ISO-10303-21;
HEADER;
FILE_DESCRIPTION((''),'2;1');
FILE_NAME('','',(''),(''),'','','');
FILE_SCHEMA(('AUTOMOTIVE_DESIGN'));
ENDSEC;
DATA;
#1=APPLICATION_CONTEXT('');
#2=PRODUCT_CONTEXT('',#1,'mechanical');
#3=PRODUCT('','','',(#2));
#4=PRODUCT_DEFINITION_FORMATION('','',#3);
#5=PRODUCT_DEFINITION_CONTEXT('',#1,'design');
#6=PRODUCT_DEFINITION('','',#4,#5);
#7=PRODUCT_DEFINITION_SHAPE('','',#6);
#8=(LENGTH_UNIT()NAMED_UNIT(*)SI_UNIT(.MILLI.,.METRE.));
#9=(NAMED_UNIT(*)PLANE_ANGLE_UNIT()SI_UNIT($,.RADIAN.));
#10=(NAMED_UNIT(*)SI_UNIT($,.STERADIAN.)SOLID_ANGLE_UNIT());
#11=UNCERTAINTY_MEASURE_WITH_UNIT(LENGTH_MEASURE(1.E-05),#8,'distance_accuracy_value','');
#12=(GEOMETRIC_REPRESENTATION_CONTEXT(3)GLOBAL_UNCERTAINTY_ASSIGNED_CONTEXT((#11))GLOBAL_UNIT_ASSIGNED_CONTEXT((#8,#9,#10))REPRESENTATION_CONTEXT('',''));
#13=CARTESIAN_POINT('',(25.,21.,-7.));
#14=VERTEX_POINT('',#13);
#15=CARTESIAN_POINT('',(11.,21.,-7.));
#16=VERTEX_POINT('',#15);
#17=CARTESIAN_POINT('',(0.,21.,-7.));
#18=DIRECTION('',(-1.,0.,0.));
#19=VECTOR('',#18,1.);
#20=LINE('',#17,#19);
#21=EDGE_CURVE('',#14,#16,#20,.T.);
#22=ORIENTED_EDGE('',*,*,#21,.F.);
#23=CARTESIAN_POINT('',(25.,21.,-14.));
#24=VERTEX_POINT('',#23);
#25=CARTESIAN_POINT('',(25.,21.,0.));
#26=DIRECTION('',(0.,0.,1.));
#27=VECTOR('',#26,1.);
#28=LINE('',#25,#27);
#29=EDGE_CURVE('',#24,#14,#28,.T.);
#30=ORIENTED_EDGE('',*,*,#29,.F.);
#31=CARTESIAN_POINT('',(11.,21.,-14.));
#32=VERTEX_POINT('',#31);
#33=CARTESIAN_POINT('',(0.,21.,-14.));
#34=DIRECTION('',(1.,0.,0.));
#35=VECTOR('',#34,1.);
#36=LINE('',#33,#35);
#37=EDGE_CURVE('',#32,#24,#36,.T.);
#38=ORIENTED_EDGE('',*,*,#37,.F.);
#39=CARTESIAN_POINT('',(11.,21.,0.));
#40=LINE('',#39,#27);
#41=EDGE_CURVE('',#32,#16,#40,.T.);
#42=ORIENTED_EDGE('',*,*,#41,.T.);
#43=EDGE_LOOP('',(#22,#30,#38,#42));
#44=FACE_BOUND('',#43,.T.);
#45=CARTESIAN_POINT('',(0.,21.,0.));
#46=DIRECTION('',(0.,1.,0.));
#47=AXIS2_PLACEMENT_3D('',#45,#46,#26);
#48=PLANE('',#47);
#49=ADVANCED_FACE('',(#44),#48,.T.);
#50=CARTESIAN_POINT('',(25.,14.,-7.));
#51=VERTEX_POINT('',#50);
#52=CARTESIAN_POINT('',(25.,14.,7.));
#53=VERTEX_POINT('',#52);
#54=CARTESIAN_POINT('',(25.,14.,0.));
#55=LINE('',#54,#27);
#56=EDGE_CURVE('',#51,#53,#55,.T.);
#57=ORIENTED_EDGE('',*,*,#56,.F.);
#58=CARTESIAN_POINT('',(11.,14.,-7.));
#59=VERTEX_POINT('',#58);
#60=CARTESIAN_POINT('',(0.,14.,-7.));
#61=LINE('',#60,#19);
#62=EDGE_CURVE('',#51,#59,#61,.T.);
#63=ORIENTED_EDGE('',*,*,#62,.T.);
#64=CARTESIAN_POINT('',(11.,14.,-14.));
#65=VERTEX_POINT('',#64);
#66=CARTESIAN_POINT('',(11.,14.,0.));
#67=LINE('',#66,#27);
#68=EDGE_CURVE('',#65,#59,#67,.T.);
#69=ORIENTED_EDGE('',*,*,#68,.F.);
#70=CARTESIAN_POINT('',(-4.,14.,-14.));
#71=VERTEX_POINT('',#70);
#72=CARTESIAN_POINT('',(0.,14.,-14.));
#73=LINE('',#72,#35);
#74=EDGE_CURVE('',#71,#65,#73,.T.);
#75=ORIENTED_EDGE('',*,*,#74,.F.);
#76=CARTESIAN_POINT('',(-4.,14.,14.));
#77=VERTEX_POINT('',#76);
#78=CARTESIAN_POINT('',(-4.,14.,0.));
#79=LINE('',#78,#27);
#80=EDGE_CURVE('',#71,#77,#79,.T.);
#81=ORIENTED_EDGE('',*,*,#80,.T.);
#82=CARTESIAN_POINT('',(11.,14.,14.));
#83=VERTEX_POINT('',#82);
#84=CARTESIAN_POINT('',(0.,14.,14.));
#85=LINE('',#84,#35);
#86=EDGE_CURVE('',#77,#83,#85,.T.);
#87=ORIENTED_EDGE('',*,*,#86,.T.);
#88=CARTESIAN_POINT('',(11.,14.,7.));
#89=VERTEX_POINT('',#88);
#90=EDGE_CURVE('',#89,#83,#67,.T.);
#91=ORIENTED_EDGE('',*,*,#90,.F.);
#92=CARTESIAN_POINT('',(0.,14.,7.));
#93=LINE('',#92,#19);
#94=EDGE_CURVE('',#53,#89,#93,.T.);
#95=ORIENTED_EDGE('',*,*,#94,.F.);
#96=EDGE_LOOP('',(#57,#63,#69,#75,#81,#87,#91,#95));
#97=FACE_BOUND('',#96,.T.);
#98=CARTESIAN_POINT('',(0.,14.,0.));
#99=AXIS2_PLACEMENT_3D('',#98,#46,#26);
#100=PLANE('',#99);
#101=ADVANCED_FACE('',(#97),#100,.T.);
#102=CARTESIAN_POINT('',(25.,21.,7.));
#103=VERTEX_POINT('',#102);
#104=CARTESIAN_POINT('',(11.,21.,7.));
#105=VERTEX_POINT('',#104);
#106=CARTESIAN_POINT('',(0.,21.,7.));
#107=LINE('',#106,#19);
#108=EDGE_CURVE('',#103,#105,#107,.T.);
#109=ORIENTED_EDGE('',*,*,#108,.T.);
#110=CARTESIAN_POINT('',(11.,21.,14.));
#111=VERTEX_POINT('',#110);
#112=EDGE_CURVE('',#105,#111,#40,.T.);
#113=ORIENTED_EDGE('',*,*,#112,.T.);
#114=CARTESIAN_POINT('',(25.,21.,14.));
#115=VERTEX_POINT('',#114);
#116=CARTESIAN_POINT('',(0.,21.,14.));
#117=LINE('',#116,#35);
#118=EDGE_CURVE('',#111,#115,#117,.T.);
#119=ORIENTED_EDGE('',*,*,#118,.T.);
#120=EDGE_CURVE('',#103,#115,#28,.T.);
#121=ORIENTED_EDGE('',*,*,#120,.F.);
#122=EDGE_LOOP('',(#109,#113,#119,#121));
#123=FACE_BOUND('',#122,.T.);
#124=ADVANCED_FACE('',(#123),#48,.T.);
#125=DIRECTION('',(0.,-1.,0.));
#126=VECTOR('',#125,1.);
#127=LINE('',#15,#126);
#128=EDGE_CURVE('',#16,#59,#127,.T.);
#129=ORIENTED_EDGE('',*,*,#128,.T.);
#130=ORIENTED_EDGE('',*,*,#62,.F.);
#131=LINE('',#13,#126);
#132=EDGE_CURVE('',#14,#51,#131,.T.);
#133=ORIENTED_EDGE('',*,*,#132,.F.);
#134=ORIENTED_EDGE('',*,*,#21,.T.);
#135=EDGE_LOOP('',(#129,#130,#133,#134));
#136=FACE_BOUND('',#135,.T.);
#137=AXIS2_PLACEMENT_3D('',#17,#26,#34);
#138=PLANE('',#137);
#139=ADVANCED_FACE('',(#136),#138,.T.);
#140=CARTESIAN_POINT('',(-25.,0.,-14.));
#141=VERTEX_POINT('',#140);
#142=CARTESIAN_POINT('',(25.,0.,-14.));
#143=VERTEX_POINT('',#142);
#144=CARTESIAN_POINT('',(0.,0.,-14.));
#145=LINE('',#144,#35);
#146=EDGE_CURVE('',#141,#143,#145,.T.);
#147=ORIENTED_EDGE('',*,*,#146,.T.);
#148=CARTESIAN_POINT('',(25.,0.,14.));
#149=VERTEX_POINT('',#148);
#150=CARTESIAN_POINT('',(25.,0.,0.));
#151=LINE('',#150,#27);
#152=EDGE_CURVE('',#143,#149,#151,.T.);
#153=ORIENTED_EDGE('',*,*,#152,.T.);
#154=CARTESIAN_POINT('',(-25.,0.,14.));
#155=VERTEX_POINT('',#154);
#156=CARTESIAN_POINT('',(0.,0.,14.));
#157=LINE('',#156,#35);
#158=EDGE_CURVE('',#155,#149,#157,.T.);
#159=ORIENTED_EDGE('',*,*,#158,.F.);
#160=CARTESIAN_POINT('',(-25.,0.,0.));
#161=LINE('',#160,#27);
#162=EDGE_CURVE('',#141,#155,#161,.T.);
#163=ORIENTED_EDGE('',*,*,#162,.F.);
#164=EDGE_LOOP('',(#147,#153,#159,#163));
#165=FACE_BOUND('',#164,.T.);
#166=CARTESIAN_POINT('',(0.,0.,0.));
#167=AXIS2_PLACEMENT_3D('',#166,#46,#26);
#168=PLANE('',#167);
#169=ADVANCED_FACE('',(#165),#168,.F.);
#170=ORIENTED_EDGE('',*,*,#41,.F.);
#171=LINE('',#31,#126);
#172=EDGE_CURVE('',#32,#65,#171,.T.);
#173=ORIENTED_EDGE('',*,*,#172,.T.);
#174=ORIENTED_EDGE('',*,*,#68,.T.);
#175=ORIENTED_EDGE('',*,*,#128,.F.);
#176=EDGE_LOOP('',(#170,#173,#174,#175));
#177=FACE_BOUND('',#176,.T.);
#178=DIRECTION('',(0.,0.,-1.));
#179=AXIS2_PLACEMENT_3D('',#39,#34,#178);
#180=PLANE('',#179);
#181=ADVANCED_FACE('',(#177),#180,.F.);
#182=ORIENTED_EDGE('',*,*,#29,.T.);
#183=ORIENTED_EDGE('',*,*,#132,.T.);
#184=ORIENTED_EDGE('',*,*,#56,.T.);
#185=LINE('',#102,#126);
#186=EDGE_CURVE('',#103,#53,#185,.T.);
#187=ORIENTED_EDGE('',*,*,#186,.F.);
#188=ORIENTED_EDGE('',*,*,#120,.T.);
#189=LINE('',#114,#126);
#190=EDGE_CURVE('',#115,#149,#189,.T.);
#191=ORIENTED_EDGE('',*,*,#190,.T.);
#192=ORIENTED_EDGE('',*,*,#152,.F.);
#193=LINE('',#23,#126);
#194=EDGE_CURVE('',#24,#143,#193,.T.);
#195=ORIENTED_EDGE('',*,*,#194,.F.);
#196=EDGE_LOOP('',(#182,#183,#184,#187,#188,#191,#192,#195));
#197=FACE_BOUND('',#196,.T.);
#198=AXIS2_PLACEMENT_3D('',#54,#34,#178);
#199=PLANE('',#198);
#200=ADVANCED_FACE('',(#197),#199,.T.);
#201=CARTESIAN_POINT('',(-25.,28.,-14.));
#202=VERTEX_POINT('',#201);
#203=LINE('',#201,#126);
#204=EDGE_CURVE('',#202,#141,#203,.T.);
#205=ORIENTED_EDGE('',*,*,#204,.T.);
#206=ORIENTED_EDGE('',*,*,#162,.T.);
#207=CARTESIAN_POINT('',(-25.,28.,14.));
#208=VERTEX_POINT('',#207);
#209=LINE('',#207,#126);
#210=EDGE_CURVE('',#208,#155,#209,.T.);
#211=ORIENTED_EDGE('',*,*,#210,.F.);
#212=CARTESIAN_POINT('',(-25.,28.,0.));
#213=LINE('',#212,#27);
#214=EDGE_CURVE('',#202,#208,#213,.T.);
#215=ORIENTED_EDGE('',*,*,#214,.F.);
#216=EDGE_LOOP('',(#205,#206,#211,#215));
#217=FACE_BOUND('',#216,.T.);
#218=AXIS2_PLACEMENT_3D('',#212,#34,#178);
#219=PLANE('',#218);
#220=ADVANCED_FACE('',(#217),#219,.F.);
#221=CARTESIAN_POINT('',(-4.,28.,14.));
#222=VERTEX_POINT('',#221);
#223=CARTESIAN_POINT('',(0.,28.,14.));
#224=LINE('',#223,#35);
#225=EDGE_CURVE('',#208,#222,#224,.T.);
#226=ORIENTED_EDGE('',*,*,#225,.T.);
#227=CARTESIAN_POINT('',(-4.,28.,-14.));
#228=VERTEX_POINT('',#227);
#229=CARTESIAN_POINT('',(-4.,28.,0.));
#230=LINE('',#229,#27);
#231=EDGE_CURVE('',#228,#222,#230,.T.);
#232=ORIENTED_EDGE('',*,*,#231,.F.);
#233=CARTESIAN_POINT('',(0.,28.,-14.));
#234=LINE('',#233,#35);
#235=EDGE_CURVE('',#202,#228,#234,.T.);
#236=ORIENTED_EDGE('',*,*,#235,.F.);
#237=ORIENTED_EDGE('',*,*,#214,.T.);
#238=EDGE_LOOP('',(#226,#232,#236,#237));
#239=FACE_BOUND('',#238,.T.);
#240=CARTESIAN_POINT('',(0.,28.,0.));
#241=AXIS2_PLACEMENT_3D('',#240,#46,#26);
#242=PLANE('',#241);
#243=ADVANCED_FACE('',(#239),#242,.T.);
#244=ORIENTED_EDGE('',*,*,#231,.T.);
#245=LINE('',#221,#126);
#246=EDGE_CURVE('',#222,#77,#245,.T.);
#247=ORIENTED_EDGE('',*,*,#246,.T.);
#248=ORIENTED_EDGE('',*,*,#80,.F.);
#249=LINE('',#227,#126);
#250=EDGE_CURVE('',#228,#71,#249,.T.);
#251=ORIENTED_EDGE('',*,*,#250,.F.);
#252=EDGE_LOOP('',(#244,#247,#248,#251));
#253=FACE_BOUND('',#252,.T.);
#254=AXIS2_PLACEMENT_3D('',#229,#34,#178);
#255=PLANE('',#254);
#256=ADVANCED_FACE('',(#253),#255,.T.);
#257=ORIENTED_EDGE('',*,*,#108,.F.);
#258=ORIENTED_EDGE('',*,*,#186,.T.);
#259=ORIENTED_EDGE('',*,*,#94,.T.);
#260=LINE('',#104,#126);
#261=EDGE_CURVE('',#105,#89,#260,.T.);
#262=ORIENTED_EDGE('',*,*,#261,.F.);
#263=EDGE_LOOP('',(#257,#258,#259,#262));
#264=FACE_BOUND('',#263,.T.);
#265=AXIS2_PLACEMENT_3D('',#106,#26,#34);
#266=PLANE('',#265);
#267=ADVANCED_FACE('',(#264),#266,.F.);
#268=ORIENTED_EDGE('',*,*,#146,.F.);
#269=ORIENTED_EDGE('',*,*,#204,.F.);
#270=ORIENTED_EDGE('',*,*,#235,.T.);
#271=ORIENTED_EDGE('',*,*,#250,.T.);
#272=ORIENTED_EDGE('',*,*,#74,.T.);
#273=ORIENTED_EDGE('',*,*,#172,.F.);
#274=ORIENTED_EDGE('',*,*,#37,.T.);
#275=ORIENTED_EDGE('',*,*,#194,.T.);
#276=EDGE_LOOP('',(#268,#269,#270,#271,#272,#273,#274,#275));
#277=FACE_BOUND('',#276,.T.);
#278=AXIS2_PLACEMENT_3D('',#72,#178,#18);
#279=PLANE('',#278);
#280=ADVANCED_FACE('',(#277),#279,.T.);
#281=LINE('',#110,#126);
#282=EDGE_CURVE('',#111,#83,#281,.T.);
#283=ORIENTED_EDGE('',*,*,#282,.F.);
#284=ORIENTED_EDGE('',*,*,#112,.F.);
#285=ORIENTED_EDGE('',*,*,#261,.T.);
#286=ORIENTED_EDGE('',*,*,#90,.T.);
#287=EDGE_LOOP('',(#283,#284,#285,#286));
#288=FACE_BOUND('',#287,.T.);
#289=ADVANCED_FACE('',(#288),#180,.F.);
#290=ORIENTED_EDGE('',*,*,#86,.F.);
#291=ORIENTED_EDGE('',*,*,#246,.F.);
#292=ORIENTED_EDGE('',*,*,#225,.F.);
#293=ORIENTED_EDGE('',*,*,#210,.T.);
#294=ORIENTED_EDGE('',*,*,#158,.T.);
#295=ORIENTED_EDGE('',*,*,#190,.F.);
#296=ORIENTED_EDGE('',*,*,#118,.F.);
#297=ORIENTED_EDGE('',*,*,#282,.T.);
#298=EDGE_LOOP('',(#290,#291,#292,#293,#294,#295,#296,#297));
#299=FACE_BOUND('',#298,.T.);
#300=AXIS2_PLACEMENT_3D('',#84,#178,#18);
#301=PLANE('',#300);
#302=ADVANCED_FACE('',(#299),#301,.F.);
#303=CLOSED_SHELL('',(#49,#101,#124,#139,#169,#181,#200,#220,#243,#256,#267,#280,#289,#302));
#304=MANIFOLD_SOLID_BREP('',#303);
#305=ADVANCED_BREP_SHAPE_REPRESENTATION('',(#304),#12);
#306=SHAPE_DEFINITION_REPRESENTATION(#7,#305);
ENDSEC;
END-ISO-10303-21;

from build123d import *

# Parameters (mm, degrees)
BOSS_EXTRUDE1_DEPTH = 14
SKETCH1_3_W         = 21
SKETCH1_3_H         = 28
BOSS_EXTRUDE2_DEPTH = 28
SKETCH1_4_W         = 14
SKETCH1_4_H         = 7
BOSS_EXTRUDE3_DEPTH = 21


with BuildPart() as part:
    # Sketch1 → Boss-Extrude1 (new body)
    with BuildSketch(Plane(origin=(0, 0, 0), x_dir=(1, 0, 0), z_dir=(0, 1, 0))):
        Polygon((11, 14), (-4, 14), (-4, -14), (11, -14), (11, -7), (25, -7), (25, 7), (11, 7), align=None)
    extrude(amount=BOSS_EXTRUDE1_DEPTH)

    # Sketch1<3> → Boss-Extrude2 (add)
    with BuildSketch(Plane(origin=(0, 0, 0), x_dir=(1, 0, 0), z_dir=(0, 1, 0))):
        with Locations((-14.5, 0)):
            Rectangle(SKETCH1_3_W, SKETCH1_3_H)
    extrude(amount=BOSS_EXTRUDE2_DEPTH)

    # Sketch1<4> → Boss-Extrude3 (add)
    with BuildSketch(Plane(origin=(0, 0, 0), x_dir=(1, 0, 0), z_dir=(0, 1, 0))):
        with Locations((18, -10.5)):
            Rectangle(SKETCH1_4_W, SKETCH1_4_H)
        with Locations((18, 10.5)):
            Rectangle(SKETCH1_4_W, SKETCH1_4_H)
    extrude(amount=BOSS_EXTRUDE3_DEPTH)


solid = part.part
